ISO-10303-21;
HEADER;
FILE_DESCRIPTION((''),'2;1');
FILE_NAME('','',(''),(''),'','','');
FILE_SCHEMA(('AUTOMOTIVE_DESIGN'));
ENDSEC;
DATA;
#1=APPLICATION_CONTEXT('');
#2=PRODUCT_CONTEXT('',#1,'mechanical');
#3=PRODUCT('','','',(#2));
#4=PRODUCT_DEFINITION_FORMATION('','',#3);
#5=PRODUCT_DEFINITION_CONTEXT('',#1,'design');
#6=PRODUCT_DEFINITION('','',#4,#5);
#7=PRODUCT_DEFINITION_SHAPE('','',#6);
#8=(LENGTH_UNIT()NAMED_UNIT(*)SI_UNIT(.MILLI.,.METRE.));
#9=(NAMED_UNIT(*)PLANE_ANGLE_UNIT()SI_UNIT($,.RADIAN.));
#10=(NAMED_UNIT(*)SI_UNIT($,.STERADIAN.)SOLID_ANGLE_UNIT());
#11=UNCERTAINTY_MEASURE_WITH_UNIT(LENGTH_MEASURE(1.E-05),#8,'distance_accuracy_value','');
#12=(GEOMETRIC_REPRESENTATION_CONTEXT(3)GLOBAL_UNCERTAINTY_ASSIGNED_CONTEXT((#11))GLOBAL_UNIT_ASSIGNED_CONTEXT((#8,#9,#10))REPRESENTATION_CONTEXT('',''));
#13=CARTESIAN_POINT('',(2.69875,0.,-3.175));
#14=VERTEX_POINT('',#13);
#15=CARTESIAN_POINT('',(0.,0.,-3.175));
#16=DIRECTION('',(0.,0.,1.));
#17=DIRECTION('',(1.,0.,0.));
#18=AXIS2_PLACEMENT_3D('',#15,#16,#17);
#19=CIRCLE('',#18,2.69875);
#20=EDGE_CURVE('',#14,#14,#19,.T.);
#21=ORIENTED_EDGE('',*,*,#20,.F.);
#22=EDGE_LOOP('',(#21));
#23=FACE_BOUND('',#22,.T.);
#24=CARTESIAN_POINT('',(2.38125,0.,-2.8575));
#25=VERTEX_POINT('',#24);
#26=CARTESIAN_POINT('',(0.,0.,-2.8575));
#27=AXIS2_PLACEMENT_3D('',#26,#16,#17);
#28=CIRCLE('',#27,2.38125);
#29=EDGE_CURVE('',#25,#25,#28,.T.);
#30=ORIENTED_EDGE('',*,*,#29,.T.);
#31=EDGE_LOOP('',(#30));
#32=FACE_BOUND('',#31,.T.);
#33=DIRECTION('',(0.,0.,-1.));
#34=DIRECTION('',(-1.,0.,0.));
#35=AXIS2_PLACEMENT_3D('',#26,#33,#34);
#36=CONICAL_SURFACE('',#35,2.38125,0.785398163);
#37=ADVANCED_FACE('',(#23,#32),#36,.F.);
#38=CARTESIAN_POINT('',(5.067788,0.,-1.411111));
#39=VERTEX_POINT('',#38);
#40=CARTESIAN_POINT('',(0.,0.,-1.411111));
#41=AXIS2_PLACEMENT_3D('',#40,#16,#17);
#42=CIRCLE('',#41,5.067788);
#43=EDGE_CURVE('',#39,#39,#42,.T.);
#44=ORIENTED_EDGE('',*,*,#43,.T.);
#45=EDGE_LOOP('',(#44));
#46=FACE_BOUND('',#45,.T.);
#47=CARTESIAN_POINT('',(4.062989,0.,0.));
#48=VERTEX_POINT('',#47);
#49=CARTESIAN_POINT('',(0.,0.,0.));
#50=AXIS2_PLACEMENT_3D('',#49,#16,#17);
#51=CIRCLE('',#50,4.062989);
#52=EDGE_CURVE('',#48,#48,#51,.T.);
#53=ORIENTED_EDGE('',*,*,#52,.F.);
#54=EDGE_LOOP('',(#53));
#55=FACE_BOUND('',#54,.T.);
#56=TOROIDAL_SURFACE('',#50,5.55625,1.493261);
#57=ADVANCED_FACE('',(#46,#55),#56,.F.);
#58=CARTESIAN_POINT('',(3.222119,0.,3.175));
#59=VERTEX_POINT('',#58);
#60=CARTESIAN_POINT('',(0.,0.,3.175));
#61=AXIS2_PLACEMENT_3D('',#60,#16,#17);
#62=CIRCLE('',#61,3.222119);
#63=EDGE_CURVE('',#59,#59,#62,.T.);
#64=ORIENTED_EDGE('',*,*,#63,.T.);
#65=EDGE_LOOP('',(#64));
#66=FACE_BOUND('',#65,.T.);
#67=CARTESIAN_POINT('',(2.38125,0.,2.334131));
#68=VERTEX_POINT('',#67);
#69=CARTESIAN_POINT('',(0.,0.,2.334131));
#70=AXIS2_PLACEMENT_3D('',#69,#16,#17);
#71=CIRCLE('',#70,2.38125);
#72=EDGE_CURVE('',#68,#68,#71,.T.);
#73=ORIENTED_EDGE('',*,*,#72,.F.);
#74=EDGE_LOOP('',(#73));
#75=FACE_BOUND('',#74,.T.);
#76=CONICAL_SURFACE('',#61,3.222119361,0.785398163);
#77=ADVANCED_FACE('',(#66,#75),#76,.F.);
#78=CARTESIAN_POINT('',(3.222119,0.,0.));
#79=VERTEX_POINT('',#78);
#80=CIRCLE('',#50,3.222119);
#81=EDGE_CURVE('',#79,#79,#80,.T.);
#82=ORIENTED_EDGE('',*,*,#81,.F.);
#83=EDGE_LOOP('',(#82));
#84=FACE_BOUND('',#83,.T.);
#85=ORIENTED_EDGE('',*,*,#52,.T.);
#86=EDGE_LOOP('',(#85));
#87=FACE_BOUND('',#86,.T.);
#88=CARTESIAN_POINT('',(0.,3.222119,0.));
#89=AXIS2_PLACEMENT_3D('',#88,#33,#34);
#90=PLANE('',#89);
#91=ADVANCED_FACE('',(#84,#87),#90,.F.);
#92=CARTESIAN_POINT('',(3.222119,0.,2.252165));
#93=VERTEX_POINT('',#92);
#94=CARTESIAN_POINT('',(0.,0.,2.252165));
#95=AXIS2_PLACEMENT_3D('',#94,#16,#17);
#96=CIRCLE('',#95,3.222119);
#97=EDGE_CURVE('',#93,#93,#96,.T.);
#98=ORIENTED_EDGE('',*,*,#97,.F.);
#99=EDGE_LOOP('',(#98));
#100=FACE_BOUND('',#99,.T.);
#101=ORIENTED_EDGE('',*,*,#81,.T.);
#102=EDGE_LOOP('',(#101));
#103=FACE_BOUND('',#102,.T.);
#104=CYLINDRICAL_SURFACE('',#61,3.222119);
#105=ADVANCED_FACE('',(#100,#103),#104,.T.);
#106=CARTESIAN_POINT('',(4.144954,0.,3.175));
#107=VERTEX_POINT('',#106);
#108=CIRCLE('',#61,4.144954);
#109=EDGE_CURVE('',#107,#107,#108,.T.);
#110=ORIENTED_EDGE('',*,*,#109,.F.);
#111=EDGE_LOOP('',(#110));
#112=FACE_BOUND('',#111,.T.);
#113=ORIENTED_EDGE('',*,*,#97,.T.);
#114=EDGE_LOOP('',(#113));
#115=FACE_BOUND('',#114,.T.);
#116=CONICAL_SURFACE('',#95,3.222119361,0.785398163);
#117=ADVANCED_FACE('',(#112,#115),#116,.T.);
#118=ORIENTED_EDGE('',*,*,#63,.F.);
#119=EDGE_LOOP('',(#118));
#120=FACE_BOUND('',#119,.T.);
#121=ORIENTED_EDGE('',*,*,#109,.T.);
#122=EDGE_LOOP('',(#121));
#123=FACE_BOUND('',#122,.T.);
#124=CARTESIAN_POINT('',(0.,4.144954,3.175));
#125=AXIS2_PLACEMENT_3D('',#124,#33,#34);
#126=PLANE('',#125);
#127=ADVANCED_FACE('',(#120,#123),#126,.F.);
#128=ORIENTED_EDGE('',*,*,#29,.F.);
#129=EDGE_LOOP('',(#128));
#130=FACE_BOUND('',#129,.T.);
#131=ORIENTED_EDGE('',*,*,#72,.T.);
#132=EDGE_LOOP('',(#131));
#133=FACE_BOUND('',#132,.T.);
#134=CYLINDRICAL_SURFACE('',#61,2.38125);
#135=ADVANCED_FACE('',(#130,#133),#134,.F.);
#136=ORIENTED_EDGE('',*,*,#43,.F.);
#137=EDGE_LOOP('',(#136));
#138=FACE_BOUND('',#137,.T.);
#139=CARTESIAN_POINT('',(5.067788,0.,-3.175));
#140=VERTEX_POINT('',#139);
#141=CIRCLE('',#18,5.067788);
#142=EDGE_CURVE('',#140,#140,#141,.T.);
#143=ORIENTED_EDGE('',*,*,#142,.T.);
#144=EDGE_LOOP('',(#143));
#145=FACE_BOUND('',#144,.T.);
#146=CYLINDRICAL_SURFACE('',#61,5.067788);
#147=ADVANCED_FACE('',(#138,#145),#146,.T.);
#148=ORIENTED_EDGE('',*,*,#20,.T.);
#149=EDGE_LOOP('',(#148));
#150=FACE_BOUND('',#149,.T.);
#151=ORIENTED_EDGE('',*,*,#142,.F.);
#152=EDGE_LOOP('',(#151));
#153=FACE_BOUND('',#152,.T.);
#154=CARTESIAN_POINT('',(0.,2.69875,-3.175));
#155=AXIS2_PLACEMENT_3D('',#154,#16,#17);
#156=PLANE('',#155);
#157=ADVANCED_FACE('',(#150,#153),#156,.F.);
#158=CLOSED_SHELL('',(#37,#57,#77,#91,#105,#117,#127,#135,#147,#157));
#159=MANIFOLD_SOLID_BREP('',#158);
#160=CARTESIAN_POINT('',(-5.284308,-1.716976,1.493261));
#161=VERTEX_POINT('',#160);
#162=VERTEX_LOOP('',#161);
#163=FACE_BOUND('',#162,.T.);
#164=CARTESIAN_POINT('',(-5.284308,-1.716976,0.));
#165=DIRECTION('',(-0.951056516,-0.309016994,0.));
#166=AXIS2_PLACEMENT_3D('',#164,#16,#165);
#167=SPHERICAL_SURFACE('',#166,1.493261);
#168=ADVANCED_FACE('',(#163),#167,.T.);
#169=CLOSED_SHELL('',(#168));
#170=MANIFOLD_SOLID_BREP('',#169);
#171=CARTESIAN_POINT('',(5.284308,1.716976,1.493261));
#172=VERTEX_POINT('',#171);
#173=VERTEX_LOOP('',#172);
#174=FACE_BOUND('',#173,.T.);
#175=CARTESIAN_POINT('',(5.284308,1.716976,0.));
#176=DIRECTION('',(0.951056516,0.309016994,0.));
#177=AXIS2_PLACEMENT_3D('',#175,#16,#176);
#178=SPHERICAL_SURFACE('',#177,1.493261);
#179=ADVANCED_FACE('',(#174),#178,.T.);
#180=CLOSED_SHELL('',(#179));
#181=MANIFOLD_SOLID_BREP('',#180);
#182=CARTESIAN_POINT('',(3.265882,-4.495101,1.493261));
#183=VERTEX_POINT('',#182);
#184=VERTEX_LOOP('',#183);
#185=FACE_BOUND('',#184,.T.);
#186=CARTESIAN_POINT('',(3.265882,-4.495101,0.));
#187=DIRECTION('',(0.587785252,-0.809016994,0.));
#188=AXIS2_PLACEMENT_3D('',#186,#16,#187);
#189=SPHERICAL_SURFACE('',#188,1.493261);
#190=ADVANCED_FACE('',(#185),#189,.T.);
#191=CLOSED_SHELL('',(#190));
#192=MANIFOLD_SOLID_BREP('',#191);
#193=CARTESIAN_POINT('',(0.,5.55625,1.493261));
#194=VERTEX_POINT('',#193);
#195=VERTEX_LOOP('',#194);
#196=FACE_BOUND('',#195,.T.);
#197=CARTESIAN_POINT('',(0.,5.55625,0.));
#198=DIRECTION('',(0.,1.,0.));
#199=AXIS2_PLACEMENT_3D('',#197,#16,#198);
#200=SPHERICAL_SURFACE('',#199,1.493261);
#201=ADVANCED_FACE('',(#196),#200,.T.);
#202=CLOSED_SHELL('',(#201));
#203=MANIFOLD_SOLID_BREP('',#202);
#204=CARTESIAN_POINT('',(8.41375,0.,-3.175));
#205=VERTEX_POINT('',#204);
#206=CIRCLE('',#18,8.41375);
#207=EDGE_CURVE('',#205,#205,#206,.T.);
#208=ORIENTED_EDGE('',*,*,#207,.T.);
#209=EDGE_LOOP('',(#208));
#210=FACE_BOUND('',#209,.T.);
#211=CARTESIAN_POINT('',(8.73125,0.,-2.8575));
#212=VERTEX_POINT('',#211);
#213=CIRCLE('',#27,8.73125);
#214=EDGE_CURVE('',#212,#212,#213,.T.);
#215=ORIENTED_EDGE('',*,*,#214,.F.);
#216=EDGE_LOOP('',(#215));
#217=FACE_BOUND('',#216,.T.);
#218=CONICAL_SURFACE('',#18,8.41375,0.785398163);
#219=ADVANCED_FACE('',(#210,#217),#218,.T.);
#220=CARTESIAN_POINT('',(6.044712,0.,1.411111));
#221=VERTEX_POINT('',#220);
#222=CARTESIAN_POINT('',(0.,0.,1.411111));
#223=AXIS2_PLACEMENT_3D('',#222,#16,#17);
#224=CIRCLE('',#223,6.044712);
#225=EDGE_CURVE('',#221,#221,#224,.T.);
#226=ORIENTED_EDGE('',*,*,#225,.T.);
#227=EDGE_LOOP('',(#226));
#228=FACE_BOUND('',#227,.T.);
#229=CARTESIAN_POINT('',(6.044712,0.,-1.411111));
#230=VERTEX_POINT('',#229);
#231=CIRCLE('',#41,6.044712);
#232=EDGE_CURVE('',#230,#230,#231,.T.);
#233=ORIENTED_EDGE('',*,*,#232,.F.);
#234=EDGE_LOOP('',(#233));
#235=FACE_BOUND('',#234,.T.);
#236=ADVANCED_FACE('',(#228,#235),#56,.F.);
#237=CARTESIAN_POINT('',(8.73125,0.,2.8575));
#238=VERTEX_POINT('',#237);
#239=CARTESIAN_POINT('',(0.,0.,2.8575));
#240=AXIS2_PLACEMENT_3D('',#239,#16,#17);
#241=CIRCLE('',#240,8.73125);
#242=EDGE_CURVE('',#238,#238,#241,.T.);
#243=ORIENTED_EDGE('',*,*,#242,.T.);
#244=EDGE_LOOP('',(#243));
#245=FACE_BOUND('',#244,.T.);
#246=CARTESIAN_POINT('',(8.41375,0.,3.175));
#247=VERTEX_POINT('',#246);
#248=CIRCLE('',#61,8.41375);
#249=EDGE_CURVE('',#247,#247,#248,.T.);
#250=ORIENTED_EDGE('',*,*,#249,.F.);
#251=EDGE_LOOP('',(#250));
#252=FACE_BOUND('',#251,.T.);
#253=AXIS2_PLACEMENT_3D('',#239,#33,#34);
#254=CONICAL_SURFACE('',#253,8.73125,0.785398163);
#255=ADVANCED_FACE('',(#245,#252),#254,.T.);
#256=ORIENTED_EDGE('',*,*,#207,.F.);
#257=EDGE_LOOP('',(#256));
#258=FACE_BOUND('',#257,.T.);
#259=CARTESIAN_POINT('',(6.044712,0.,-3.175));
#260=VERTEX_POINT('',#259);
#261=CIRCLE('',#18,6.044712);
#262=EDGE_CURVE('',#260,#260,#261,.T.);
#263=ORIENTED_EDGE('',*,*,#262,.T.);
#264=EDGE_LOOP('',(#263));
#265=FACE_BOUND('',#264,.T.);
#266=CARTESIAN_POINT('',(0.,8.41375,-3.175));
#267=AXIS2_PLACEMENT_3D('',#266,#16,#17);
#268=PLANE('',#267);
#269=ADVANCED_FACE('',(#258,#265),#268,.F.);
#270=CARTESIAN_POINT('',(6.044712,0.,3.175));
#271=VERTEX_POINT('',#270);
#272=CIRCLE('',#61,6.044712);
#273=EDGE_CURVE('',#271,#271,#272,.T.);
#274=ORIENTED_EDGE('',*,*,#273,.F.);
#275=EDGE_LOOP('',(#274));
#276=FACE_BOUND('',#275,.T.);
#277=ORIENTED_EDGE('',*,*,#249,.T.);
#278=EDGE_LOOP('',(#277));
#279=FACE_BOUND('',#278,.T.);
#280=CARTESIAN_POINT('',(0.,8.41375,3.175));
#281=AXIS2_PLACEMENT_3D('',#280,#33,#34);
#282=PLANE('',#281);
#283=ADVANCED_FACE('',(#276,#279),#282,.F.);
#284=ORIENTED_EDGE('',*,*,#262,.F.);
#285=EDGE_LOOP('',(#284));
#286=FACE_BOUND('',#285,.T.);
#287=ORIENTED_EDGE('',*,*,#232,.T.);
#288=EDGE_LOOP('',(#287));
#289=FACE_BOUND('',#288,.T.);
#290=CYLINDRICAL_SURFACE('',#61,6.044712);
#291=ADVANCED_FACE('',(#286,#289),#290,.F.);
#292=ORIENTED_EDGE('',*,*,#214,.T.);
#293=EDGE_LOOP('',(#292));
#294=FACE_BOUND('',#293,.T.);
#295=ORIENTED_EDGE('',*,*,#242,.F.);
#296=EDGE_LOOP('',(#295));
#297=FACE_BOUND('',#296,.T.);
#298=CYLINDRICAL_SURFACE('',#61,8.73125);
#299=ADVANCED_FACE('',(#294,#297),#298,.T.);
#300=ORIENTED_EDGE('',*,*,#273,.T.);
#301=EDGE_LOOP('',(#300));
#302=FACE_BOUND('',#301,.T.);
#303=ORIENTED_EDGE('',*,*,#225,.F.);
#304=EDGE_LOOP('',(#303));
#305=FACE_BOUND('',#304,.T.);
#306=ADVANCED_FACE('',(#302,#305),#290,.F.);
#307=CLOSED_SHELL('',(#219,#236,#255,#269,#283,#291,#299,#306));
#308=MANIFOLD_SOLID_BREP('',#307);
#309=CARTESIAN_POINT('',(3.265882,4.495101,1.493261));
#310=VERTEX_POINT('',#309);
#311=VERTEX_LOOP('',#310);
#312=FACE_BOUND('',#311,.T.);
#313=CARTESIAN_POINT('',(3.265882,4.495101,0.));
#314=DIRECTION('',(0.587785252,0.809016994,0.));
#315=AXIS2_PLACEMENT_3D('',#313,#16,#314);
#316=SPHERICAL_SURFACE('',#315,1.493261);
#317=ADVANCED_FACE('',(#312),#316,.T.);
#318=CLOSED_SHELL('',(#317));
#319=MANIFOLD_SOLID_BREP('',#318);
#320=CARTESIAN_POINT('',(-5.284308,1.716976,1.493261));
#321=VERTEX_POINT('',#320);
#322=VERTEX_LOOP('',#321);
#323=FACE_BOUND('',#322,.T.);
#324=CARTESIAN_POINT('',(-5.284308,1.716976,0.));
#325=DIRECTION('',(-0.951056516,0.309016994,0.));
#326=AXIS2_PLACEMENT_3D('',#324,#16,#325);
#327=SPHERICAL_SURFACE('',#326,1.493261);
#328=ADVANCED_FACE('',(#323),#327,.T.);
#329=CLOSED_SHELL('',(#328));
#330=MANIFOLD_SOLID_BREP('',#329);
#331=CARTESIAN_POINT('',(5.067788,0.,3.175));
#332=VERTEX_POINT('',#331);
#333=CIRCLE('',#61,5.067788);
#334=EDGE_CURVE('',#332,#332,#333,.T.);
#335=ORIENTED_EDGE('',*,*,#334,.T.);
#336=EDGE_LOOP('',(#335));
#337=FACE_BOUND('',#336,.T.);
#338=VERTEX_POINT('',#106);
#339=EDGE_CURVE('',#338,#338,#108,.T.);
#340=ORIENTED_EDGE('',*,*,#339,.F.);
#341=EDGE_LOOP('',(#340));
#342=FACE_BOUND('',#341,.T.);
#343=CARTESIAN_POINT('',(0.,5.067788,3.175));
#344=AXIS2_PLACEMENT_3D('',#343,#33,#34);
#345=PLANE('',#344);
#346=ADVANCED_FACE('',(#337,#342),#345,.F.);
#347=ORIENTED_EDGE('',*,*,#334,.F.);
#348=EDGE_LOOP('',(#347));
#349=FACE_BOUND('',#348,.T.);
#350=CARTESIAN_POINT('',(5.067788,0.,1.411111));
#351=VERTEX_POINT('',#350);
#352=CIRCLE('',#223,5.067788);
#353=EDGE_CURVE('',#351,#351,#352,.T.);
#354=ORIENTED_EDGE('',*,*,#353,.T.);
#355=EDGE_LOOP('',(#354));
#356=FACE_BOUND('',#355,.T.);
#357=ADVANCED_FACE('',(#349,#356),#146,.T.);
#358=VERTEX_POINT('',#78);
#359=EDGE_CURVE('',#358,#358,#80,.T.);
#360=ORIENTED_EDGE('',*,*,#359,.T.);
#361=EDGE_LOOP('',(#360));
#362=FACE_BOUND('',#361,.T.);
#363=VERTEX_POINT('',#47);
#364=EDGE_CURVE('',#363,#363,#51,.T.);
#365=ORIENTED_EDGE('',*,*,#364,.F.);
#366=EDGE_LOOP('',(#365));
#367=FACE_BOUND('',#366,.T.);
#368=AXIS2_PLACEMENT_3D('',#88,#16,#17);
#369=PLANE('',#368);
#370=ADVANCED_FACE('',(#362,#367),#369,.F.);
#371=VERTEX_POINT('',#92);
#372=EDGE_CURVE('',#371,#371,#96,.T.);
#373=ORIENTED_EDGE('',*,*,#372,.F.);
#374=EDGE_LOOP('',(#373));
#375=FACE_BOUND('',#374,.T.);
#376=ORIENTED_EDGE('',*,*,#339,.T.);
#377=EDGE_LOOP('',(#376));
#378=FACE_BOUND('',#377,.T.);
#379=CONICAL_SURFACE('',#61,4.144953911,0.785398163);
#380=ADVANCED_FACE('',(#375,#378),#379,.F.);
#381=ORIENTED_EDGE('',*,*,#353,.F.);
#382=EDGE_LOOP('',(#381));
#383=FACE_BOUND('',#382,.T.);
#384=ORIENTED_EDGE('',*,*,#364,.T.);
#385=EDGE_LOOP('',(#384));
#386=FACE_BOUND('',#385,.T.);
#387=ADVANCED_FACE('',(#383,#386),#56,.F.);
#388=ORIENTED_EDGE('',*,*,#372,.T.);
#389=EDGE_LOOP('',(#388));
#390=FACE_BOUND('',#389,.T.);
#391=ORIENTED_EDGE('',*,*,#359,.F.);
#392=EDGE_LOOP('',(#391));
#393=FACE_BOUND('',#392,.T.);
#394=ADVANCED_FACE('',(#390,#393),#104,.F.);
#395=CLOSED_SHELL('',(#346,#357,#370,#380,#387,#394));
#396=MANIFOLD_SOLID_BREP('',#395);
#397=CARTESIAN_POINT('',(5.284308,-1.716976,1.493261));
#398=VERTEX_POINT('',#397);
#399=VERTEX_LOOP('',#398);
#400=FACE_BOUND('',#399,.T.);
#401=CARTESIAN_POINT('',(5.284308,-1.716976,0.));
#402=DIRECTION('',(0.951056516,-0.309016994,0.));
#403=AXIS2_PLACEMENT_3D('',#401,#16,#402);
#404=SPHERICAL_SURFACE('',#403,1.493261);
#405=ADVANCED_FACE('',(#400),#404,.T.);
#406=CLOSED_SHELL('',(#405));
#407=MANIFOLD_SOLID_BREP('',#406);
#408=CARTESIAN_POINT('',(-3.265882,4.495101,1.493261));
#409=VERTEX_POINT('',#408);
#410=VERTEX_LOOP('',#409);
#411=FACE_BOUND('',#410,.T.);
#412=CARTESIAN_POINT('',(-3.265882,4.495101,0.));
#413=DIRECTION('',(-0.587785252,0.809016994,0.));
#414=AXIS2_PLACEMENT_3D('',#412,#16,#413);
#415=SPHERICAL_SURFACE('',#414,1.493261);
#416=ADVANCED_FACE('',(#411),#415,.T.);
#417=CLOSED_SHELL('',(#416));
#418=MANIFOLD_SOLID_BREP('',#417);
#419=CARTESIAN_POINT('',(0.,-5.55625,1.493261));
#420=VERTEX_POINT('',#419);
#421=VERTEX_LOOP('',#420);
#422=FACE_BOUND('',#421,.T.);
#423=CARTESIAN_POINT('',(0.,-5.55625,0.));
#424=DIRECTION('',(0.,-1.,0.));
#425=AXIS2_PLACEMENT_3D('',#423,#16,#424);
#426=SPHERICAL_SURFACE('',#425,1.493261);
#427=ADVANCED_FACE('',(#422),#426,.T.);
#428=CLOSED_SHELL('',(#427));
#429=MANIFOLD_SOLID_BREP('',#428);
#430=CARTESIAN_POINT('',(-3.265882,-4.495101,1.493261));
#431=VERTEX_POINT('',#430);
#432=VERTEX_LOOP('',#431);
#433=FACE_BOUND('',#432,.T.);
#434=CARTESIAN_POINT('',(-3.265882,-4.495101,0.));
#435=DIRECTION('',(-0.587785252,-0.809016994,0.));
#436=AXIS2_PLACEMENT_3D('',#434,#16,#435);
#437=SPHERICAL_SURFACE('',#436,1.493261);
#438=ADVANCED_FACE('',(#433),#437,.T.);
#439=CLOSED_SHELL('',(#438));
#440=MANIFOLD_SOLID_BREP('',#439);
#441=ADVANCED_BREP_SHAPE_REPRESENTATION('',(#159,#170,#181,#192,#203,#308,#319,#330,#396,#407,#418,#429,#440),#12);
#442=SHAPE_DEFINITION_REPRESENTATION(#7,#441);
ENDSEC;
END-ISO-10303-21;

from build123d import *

# Parameters (mm, degrees)
CIRPATTERN1_COUNT = 10


with BuildPart() as part:
    # Sketch1 → Revolve1 (revolve)
    with BuildSketch(Plane(origin=(0, 0, 0), x_dir=(0, 0, -1), z_dir=(1, 0, 0))):
        with BuildLine():
            Line((2.8575, 8.73125), (-2.8575, 8.73125))
            Line((-2.8575, 8.73125), (-3.175, 8.41375))
            Line((-3.175, 8.41375), (-3.175, 6.044711538))
            Line((-3.175, 6.044711538), (-1.411111111, 6.044711538))
            ThreePointArc((-1.411111111, 6.044711538), (0, 7.049511277), (1.411111111, 6.044711538))
            Line((1.411111111, 6.044711538), (3.175, 6.044711538))
            Line((3.175, 6.044711538), (3.175, 8.41375))
            Line((3.175, 8.41375), (2.8575, 8.73125))
        make_face()
    revolve(axis=Axis((0, 0, 3.175), (0, 0, -1)))


with BuildPart() as body_2:
    # Sketch2 → Revolve2 (revolve)
    with BuildSketch(Plane(origin=(0, 0, 0), x_dir=(0, 0, -1), z_dir=(1, 0, 0))):
        with BuildLine():
            Line((-3.175, 5.067788462), (-1.411111111, 5.067788462))
            ThreePointArc((-1.411111111, 5.067788462), (-0.866149104, 4.33985575), (0, 4.062988723))
            Line((0, 4.062988723), (0, 3.222119361))
            Line((0, 3.222119361), (-2.25216545, 3.222119361))
            Line((-2.25216545, 3.222119361), (-3.175, 4.144953911))
            Line((-3.175, 4.144953911), (-3.175, 5.067788462))
        make_face()
    revolve(axis=Axis((0, 0, 3.175), (0, 0, -1)))


with BuildPart() as body_3:
    # Sketch3 → Revolve3 (revolve)
    with BuildSketch(Plane(origin=(0, 0, 0), x_dir=(0, 0, -1), z_dir=(1, 0, 0))):
        with BuildLine():
            Line((-3.175, 4.144953911), (-2.25216545, 3.222119361))
            Line((-2.25216545, 3.222119361), (0, 3.222119361))
            Line((0, 3.222119361), (0, 4.062988723))
            ThreePointArc((0, 4.062988723), (0.866149104, 4.33985575), (1.411111111, 5.067788462))
            Line((1.411111111, 5.067788462), (3.175, 5.067788462))
            Line((3.175, 5.067788462), (3.175, 2.69875))
            Line((3.175, 2.69875), (2.8575, 2.38125))
            Line((2.8575, 2.38125), (-2.334130639, 2.38125))
            Line((-2.334130639, 2.38125), (-3.175, 3.222119361))
            Line((-3.175, 3.222119361), (-3.175, 4.144953911))
        make_face()
    revolve(axis=Axis((0, 0, 3.175), (0, 0, -1)))


with BuildPart() as body_4:
    # Sketch4 → Revolve4 (revolve)
    with BuildSketch(Plane(origin=(0, 0, 0), x_dir=(0, 0, -1), z_dir=(1, 0, 0))):
        with BuildLine():
            Line((-1.493261277, 5.55625), (1.493261277, 5.55625))
            ThreePointArc((1.493261277, 5.55625), (0, 7.049511277), (-1.493261277, 5.55625))
        make_face()
    revolve(axis=Axis((0, 5.55625, 1.493261277), (0, 0, -1)))


with BuildPart() as cirpattern1_1:
    # CirPattern1: pattern copy
    add(body_4.part.rotate(Axis((0, 0, -3.175), (0, 0, 1)), 1 * 360 / CIRPATTERN1_COUNT))


with BuildPart() as cirpattern1_2:
    # CirPattern1: pattern copy
    add(body_4.part.rotate(Axis((0, 0, -3.175), (0, 0, 1)), 2 * 360 / CIRPATTERN1_COUNT))


with BuildPart() as cirpattern1_3:
    # CirPattern1: pattern copy
    add(body_4.part.rotate(Axis((0, 0, -3.175), (0, 0, 1)), 3 * 360 / CIRPATTERN1_COUNT))


with BuildPart() as cirpattern1_4:
    # CirPattern1: pattern copy
    add(body_4.part.rotate(Axis((0, 0, -3.175), (0, 0, 1)), 4 * 360 / CIRPATTERN1_COUNT))


with BuildPart() as cirpattern1_5:
    # CirPattern1: pattern copy
    add(body_4.part.rotate(Axis((0, 0, -3.175), (0, 0, 1)), 5 * 360 / CIRPATTERN1_COUNT))


with BuildPart() as cirpattern1_6:
    # CirPattern1: pattern copy
    add(body_4.part.rotate(Axis((0, 0, -3.175), (0, 0, 1)), 6 * 360 / CIRPATTERN1_COUNT))


with BuildPart() as cirpattern1_7:
    # CirPattern1: pattern copy
    add(body_4.part.rotate(Axis((0, 0, -3.175), (0, 0, 1)), 7 * 360 / CIRPATTERN1_COUNT))


with BuildPart() as cirpattern1_8:
    # CirPattern1: pattern copy
    add(body_4.part.rotate(Axis((0, 0, -3.175), (0, 0, 1)), 8 * 360 / CIRPATTERN1_COUNT))


with BuildPart() as cirpattern1_9:
    # CirPattern1: pattern copy
    add(body_4.part.rotate(Axis((0, 0, -3.175), (0, 0, 1)), 9 * 360 / CIRPATTERN1_COUNT))


solid = Compound([part.part, body_2.part, body_3.part, body_4.part, cirpattern1_1.part, cirpattern1_2.part, cirpattern1_3.part, cirpattern1_4.part, cirpattern1_5.part, cirpattern1_6.part, cirpattern1_7.part, cirpattern1_8.part, cirpattern1_9.part])
